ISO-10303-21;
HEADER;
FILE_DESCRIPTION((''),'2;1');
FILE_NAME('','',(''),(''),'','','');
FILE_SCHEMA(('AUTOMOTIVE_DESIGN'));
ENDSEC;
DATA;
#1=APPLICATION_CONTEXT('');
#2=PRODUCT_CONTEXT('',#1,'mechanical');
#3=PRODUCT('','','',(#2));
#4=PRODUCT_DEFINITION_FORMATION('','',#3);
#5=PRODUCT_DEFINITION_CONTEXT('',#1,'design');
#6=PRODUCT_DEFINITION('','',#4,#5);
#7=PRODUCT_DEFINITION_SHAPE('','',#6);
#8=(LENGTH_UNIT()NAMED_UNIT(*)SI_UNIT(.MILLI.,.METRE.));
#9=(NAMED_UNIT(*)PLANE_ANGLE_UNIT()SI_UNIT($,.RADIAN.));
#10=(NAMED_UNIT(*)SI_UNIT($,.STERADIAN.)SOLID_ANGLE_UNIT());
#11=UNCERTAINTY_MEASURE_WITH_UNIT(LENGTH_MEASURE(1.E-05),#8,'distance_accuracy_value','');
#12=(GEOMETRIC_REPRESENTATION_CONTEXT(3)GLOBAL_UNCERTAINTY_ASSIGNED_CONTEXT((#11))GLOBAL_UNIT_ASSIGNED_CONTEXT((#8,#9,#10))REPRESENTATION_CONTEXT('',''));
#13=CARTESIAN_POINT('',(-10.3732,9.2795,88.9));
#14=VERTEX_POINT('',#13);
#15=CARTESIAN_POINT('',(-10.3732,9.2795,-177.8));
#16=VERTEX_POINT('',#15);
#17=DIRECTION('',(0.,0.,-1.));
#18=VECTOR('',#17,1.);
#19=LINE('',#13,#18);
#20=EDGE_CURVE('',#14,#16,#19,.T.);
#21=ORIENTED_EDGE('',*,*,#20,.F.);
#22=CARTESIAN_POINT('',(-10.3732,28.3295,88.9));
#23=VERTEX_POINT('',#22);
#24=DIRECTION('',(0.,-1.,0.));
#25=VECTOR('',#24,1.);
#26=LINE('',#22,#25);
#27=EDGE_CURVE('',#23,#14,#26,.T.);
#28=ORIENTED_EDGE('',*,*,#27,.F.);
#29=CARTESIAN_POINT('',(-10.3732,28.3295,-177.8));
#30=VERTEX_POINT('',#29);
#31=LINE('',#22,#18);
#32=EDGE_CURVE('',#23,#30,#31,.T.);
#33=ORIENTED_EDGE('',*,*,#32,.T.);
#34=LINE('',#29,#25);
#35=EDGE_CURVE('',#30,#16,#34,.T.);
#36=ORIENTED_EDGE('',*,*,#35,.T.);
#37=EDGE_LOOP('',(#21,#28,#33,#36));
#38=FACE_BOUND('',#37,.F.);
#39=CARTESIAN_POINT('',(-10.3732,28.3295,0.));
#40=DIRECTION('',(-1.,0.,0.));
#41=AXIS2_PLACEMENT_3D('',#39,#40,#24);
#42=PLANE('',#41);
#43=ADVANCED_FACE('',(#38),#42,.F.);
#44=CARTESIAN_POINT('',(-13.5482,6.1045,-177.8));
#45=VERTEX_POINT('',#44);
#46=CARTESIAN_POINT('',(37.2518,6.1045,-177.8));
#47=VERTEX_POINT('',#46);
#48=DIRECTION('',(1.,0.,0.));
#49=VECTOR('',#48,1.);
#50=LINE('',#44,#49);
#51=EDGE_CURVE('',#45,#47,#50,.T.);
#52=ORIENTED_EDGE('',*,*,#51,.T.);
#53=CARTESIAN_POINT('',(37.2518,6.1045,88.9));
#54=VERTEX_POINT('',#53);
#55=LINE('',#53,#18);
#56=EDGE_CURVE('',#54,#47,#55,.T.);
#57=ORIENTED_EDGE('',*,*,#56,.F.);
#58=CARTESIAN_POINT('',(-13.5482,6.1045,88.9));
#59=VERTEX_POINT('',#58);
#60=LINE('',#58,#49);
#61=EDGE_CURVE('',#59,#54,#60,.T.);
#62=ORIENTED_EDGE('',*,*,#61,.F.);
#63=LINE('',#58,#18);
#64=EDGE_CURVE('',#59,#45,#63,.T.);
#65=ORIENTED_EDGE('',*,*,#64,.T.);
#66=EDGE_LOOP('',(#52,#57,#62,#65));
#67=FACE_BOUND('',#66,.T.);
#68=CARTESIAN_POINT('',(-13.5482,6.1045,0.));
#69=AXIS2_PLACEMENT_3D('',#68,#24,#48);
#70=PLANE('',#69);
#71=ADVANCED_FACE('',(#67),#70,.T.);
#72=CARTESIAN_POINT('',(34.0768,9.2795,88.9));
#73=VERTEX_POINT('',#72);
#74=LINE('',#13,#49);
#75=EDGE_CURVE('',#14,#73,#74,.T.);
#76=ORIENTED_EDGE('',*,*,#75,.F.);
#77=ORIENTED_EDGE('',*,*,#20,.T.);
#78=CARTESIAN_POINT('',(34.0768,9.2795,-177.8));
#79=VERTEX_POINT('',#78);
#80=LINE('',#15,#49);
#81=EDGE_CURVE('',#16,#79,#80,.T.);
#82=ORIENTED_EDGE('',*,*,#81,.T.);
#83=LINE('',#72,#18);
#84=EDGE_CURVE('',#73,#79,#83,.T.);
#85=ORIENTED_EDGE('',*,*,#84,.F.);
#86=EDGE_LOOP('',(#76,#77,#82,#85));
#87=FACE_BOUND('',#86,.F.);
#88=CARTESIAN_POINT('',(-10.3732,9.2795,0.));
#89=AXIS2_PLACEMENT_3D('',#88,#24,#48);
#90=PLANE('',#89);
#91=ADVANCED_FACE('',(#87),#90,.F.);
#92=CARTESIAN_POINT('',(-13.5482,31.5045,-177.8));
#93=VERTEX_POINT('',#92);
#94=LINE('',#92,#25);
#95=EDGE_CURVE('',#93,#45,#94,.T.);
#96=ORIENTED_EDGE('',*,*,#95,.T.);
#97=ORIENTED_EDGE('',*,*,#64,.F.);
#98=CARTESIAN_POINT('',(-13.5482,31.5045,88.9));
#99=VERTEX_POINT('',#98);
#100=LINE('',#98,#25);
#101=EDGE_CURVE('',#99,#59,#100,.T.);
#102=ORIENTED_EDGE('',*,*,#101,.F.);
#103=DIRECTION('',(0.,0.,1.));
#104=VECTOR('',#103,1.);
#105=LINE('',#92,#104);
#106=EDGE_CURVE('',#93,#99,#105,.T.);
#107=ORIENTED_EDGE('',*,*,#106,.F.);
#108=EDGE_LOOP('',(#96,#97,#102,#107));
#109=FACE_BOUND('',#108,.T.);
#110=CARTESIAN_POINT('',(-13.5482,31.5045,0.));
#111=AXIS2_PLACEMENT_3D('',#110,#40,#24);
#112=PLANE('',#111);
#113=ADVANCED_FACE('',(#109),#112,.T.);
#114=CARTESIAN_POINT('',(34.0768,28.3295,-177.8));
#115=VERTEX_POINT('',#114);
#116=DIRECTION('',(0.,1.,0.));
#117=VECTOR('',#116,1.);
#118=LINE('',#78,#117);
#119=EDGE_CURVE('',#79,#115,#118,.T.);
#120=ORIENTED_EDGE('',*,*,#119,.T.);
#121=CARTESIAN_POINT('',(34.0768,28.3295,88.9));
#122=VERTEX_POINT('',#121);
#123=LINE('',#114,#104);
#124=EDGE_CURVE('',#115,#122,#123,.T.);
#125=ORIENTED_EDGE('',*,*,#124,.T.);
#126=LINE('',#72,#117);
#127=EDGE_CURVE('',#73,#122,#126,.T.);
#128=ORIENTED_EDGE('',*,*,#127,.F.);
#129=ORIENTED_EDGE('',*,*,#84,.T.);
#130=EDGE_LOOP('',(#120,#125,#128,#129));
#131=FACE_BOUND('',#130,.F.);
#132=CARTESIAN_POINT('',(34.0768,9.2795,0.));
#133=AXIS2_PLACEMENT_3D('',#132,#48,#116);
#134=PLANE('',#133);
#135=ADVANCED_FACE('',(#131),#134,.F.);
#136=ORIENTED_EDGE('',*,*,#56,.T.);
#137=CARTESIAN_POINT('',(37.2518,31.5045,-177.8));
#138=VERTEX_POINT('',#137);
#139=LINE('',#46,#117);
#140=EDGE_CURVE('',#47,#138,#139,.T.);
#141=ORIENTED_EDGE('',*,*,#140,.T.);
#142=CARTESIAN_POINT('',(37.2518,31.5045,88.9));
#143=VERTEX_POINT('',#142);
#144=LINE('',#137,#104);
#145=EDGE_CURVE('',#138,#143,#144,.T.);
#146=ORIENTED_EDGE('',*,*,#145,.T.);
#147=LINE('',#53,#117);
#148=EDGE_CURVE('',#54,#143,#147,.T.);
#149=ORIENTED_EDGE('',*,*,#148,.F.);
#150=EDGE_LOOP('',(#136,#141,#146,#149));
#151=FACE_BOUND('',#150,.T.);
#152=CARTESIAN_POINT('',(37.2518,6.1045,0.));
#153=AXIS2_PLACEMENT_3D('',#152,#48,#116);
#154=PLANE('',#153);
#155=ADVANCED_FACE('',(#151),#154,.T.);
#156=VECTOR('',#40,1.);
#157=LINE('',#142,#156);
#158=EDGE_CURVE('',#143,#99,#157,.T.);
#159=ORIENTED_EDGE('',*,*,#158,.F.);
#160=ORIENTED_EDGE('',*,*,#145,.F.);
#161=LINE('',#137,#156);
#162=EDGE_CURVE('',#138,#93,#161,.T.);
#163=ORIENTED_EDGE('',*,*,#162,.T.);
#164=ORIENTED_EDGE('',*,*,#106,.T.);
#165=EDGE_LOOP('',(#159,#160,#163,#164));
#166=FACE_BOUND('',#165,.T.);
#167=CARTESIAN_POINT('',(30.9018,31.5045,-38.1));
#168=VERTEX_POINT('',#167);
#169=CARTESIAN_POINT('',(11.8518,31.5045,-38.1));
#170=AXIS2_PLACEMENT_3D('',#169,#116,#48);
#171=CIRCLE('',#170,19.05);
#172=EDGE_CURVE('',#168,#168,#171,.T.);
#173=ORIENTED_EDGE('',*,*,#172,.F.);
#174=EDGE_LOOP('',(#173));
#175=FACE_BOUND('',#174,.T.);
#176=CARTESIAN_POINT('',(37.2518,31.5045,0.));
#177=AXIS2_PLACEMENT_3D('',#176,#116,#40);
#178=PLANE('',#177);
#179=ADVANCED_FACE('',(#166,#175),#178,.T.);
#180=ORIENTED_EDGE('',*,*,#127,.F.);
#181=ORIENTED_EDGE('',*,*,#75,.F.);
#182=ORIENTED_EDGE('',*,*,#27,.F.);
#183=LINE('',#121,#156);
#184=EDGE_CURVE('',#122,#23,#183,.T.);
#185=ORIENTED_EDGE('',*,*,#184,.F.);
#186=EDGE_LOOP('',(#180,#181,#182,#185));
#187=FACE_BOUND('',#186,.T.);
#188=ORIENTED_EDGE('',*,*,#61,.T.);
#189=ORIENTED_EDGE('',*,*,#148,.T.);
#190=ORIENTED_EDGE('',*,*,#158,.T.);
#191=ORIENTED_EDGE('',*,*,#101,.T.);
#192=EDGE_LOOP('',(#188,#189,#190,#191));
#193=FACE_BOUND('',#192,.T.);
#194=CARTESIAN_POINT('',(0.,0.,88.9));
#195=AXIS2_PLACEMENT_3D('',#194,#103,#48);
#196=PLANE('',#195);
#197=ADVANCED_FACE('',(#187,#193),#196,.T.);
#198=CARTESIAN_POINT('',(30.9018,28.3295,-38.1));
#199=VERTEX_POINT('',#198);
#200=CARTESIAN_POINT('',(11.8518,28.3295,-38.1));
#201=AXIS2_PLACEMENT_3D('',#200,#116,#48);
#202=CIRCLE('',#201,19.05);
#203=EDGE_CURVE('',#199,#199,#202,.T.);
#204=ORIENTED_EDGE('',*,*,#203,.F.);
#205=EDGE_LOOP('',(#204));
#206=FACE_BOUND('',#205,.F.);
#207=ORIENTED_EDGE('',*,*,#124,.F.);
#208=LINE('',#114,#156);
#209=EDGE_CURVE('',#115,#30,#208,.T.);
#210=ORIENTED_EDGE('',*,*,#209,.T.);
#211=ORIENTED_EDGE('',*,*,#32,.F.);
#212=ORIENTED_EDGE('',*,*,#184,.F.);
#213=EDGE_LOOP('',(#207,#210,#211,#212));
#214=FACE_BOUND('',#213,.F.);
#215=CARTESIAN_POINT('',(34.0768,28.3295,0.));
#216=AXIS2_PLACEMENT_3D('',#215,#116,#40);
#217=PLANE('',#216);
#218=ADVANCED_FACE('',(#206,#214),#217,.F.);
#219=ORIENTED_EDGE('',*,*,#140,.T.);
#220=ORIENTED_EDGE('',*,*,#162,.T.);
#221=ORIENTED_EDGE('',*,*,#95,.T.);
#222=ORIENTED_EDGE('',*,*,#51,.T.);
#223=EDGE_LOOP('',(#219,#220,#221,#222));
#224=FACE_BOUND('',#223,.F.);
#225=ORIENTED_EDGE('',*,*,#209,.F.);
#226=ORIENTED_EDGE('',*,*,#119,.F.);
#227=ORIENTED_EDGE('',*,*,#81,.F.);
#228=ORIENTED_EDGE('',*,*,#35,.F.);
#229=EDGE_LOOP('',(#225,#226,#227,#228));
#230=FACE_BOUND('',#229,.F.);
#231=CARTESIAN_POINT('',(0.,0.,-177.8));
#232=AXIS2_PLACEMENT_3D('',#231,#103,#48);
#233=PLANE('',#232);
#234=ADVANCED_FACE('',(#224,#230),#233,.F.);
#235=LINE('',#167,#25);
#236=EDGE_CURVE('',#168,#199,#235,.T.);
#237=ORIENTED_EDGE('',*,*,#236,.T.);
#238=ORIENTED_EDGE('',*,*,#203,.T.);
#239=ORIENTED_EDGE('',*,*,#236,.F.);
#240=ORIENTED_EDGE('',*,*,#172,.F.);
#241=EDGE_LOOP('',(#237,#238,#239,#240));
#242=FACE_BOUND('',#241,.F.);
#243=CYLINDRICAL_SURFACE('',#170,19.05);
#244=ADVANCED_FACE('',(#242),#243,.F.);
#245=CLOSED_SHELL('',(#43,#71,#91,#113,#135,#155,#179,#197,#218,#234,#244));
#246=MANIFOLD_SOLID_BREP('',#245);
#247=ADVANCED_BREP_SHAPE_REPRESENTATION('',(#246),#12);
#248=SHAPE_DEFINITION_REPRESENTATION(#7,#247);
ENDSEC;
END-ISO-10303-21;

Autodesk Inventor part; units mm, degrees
ref_plane "YZ Plane" through (0, 0, 0) normal (1, 0, 0) x (0, 1, 0)
ref_plane "XZ Plane" through (0, 0, 0) normal (0, 1, 0) x (-1, 0, 0)
ref_plane "XY Plane" through (0, 0, 0) normal (0, 0, 1) x (1, 0, 0)
sketch "Sketch1" plane through (0, 0, 0) normal (0, 0, 1) x (1, 0, 0)
  line L0 (37.2518, 31.5045) -> (-13.5482, 31.5045)
  line L1 (-13.5482, 31.5045) -> (-13.5482, 6.1045)
  line L2 (-13.5482, 6.1045) -> (37.2518, 6.1045)
  line L3 (37.2518, 6.1045) -> (37.2518, 31.5045)
  line L4 (34.0768, 28.3295) -> (-10.3732, 28.3295)
  line L5 (-10.3732, 28.3295) -> (-10.3732, 9.2795)
  line L6 (-10.3732, 9.2795) -> (34.0768, 9.2795)
  line L7 (34.0768, 9.2795) -> (34.0768, 28.3295)
  point P0 (0, 0)
  dimension "d0" = 50.8
  dimension "d1" = 25.4
  dimension "d2" = 3.175
extrude "Extrusion1" add sketch "Sketch1" against normal blind 177.8 and the other way blind 88.9
sketch "Sketch2" plane through (-13.5482, 31.5045, -177.8) normal (0, 1, 0) x (1, 0, 0)
  circle A0 centre (25.4, -139.7) radius 19.05
  line L0 (50.8, -266.7) -> (0, -266.7) projected
  point P0 (13.5482, -177.8)
  point P1 (25.4, -266.7)
  dimension "d7" = 38.1
  dimension "d8" = 127
extrude "Extrusion2" cut sketch "Sketch2" against normal blind 3.175
properties part number "Motor Mount"
